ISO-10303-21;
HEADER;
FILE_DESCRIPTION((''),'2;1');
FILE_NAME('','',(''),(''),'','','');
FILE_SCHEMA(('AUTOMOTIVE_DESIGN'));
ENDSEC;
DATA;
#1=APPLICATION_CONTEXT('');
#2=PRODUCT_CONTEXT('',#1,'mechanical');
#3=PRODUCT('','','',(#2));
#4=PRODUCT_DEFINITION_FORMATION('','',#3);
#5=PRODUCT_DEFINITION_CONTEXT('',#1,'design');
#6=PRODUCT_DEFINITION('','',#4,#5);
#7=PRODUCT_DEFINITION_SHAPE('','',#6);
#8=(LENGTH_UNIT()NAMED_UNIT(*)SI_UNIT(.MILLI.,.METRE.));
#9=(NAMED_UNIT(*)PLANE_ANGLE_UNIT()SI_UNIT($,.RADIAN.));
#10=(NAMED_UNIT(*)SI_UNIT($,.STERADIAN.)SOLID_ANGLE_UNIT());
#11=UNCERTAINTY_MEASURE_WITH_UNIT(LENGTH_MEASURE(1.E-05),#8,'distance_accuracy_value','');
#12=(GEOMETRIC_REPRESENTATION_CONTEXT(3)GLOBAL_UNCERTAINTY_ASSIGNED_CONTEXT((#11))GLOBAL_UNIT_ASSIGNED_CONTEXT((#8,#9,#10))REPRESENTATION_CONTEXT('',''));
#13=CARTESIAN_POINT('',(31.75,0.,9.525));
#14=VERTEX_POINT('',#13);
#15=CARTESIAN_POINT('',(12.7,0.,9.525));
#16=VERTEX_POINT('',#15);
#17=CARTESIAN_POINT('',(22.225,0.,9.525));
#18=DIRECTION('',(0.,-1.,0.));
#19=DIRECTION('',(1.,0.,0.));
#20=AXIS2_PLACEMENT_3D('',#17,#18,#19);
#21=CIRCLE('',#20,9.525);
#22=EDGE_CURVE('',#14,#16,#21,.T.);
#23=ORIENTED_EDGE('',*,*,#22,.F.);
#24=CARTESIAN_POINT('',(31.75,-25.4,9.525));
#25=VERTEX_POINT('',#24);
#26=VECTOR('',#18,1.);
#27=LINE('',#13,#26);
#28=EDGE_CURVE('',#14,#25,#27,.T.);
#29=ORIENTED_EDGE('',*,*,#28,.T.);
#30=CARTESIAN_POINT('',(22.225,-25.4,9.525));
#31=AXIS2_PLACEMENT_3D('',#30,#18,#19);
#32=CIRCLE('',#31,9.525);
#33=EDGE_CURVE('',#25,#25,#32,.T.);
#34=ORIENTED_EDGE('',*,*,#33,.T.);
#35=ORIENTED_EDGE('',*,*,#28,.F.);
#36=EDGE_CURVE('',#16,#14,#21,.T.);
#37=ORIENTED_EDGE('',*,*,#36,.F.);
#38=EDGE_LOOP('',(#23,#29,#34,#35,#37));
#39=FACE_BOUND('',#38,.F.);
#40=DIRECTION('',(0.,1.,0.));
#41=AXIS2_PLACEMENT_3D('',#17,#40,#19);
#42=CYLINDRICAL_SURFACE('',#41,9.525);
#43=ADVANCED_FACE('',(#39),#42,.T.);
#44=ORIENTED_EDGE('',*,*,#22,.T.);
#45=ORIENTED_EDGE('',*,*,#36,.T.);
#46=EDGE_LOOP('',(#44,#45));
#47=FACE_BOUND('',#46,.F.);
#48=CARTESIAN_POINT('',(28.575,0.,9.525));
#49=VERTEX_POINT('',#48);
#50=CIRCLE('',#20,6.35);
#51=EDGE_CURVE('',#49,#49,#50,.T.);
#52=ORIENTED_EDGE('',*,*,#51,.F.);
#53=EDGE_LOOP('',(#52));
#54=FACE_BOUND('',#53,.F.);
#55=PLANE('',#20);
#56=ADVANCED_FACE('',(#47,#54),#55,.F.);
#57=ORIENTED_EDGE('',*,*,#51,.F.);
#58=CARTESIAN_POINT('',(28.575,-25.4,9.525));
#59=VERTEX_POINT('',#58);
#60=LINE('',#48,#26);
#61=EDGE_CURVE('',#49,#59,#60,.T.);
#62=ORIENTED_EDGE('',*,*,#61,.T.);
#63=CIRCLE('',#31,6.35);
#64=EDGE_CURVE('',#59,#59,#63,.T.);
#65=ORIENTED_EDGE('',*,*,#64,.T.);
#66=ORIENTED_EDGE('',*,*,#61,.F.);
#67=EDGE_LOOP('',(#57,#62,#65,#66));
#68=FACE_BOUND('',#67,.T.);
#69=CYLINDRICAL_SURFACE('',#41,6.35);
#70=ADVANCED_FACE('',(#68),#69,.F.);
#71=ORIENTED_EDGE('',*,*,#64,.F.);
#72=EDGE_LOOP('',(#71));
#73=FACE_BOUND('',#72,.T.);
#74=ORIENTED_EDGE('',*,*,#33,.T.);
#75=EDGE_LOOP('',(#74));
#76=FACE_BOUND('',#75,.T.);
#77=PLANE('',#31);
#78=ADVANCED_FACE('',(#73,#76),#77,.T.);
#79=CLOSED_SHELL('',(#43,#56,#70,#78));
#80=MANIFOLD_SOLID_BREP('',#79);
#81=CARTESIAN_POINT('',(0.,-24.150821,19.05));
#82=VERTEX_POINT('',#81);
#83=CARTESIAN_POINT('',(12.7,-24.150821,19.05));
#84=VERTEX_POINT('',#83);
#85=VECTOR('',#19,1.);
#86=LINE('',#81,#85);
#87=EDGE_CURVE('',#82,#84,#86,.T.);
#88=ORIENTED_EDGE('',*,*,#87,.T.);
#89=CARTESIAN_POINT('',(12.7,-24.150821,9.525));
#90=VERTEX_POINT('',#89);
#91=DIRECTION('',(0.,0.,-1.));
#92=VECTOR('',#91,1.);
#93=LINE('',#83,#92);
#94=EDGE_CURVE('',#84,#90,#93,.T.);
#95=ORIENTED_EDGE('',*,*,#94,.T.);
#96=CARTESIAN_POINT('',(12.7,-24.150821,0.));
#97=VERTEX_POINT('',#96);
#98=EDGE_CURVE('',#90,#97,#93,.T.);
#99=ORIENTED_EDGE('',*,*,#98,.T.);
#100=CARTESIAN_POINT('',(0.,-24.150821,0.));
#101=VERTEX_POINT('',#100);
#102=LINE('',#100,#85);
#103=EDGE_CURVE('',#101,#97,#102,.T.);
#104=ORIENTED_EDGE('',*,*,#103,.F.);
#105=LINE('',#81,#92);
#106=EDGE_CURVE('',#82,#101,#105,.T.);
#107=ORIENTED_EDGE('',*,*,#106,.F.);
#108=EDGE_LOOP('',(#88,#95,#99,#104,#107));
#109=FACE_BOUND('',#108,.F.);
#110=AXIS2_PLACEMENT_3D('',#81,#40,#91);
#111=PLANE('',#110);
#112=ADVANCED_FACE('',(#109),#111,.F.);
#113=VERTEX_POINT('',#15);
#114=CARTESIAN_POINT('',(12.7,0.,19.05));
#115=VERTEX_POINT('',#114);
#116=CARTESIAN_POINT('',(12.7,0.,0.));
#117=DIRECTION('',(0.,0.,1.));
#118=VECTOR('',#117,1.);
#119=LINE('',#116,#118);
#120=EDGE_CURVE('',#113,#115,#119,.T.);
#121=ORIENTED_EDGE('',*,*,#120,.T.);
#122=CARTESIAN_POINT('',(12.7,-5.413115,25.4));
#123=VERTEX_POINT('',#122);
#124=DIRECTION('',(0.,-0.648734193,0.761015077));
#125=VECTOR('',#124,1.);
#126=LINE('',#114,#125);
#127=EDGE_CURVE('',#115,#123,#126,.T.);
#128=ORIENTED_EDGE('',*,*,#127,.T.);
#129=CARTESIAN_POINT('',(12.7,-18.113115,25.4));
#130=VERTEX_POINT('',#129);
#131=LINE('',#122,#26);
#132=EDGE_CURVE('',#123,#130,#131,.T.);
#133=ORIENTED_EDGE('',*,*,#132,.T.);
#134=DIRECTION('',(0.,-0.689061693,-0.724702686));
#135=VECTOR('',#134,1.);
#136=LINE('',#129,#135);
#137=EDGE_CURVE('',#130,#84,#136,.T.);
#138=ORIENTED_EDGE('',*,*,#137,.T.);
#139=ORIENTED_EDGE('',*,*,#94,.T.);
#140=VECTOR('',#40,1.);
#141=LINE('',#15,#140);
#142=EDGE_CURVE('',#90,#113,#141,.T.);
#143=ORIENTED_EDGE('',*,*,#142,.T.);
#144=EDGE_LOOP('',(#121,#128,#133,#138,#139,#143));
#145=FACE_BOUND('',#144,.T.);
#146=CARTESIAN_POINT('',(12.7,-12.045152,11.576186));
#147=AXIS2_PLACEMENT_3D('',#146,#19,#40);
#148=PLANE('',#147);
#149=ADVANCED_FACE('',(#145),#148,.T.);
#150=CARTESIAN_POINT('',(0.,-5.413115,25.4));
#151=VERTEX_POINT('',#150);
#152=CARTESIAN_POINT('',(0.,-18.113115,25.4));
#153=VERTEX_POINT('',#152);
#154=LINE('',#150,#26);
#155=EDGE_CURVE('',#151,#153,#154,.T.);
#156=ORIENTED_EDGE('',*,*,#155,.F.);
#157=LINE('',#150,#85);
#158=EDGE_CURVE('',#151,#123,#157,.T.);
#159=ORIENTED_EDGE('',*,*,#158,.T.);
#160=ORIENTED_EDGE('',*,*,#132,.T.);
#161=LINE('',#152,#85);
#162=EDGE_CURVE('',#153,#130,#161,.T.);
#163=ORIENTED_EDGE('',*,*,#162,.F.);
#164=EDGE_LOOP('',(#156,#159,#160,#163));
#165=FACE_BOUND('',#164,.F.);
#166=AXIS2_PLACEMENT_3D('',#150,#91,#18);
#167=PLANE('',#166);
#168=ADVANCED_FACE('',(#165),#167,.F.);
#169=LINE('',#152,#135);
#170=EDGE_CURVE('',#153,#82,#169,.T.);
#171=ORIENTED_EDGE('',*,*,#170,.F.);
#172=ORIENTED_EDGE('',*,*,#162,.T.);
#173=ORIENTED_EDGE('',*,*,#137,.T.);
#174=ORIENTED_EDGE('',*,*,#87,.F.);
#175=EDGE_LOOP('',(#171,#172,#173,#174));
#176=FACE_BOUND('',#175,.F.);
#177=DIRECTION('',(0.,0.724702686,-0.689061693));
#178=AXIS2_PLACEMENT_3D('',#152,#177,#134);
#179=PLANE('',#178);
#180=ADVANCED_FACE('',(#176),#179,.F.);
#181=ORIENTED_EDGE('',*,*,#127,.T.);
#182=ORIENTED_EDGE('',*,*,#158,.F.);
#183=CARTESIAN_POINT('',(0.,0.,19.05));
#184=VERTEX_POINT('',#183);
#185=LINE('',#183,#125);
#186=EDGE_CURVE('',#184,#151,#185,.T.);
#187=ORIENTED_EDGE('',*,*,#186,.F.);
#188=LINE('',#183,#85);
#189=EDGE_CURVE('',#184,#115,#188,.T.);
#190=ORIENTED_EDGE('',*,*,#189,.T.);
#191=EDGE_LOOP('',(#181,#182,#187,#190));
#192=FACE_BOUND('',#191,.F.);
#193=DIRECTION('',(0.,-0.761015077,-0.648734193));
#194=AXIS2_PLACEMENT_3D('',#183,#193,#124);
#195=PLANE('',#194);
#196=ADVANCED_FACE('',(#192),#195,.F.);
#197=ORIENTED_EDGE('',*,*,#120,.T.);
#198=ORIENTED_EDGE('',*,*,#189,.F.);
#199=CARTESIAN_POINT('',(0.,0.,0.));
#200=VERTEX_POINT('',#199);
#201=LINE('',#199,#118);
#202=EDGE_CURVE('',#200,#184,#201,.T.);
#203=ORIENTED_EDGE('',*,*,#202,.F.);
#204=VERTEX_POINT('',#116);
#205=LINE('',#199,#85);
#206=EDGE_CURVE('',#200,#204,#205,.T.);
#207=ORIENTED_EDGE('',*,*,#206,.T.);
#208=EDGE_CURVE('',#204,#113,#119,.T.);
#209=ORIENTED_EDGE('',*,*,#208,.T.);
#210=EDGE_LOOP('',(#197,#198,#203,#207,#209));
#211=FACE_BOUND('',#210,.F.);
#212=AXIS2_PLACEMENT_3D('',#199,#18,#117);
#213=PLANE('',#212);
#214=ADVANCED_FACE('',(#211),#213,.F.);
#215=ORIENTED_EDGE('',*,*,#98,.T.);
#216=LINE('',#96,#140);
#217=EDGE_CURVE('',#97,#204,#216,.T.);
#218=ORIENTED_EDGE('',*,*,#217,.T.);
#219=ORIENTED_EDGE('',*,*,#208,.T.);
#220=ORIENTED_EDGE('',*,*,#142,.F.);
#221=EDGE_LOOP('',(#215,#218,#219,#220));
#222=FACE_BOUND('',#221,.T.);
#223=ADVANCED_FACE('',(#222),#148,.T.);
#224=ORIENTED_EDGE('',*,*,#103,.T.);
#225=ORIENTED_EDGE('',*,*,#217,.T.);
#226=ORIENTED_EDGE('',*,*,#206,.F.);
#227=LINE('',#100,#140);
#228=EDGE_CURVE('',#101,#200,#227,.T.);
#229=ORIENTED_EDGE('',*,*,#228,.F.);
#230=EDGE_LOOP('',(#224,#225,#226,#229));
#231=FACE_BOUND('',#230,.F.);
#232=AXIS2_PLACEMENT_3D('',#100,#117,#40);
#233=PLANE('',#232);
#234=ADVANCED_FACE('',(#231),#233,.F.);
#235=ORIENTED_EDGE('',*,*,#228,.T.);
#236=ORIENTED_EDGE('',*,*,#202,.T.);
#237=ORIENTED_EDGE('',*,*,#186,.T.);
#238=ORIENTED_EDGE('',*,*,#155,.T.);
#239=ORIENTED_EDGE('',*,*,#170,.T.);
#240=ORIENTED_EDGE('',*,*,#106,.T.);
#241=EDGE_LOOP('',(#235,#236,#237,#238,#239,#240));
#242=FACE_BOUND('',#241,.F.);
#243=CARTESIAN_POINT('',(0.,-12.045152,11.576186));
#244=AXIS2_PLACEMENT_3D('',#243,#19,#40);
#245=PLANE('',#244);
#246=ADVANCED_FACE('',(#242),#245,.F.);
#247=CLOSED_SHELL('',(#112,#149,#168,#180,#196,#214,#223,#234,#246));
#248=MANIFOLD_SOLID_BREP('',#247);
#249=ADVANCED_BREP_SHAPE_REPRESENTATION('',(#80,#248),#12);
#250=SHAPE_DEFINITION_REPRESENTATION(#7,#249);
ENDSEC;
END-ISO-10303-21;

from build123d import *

# Parameters (mm, degrees)
F1_DEPTH = 12.7
F2_R     = 9.525
F2_R_2   = 6.35
F3_DEPTH = 25.4


with BuildPart() as f1:
    # F0 (on Right) → F1 (new body)
    with BuildSketch(Plane.YZ):
        Polygon((-24.150821, 0), (0, 0), (0, 19.05), (-5.413115, 25.4), (-18.113115, 25.4), (-24.150821, 19.05), align=None)
    extrude(amount=F1_DEPTH)

    # F2 (on Front) → F3 (join)
    with BuildSketch(Plane.XZ):
        with Locations((22.225, 9.525)):
            Circle(F2_R)
        with Locations((22.225, 9.525)):
            Circle(F2_R_2, mode=Mode.SUBTRACT)
    extrude(amount=F3_DEPTH)


solid = f1.part
